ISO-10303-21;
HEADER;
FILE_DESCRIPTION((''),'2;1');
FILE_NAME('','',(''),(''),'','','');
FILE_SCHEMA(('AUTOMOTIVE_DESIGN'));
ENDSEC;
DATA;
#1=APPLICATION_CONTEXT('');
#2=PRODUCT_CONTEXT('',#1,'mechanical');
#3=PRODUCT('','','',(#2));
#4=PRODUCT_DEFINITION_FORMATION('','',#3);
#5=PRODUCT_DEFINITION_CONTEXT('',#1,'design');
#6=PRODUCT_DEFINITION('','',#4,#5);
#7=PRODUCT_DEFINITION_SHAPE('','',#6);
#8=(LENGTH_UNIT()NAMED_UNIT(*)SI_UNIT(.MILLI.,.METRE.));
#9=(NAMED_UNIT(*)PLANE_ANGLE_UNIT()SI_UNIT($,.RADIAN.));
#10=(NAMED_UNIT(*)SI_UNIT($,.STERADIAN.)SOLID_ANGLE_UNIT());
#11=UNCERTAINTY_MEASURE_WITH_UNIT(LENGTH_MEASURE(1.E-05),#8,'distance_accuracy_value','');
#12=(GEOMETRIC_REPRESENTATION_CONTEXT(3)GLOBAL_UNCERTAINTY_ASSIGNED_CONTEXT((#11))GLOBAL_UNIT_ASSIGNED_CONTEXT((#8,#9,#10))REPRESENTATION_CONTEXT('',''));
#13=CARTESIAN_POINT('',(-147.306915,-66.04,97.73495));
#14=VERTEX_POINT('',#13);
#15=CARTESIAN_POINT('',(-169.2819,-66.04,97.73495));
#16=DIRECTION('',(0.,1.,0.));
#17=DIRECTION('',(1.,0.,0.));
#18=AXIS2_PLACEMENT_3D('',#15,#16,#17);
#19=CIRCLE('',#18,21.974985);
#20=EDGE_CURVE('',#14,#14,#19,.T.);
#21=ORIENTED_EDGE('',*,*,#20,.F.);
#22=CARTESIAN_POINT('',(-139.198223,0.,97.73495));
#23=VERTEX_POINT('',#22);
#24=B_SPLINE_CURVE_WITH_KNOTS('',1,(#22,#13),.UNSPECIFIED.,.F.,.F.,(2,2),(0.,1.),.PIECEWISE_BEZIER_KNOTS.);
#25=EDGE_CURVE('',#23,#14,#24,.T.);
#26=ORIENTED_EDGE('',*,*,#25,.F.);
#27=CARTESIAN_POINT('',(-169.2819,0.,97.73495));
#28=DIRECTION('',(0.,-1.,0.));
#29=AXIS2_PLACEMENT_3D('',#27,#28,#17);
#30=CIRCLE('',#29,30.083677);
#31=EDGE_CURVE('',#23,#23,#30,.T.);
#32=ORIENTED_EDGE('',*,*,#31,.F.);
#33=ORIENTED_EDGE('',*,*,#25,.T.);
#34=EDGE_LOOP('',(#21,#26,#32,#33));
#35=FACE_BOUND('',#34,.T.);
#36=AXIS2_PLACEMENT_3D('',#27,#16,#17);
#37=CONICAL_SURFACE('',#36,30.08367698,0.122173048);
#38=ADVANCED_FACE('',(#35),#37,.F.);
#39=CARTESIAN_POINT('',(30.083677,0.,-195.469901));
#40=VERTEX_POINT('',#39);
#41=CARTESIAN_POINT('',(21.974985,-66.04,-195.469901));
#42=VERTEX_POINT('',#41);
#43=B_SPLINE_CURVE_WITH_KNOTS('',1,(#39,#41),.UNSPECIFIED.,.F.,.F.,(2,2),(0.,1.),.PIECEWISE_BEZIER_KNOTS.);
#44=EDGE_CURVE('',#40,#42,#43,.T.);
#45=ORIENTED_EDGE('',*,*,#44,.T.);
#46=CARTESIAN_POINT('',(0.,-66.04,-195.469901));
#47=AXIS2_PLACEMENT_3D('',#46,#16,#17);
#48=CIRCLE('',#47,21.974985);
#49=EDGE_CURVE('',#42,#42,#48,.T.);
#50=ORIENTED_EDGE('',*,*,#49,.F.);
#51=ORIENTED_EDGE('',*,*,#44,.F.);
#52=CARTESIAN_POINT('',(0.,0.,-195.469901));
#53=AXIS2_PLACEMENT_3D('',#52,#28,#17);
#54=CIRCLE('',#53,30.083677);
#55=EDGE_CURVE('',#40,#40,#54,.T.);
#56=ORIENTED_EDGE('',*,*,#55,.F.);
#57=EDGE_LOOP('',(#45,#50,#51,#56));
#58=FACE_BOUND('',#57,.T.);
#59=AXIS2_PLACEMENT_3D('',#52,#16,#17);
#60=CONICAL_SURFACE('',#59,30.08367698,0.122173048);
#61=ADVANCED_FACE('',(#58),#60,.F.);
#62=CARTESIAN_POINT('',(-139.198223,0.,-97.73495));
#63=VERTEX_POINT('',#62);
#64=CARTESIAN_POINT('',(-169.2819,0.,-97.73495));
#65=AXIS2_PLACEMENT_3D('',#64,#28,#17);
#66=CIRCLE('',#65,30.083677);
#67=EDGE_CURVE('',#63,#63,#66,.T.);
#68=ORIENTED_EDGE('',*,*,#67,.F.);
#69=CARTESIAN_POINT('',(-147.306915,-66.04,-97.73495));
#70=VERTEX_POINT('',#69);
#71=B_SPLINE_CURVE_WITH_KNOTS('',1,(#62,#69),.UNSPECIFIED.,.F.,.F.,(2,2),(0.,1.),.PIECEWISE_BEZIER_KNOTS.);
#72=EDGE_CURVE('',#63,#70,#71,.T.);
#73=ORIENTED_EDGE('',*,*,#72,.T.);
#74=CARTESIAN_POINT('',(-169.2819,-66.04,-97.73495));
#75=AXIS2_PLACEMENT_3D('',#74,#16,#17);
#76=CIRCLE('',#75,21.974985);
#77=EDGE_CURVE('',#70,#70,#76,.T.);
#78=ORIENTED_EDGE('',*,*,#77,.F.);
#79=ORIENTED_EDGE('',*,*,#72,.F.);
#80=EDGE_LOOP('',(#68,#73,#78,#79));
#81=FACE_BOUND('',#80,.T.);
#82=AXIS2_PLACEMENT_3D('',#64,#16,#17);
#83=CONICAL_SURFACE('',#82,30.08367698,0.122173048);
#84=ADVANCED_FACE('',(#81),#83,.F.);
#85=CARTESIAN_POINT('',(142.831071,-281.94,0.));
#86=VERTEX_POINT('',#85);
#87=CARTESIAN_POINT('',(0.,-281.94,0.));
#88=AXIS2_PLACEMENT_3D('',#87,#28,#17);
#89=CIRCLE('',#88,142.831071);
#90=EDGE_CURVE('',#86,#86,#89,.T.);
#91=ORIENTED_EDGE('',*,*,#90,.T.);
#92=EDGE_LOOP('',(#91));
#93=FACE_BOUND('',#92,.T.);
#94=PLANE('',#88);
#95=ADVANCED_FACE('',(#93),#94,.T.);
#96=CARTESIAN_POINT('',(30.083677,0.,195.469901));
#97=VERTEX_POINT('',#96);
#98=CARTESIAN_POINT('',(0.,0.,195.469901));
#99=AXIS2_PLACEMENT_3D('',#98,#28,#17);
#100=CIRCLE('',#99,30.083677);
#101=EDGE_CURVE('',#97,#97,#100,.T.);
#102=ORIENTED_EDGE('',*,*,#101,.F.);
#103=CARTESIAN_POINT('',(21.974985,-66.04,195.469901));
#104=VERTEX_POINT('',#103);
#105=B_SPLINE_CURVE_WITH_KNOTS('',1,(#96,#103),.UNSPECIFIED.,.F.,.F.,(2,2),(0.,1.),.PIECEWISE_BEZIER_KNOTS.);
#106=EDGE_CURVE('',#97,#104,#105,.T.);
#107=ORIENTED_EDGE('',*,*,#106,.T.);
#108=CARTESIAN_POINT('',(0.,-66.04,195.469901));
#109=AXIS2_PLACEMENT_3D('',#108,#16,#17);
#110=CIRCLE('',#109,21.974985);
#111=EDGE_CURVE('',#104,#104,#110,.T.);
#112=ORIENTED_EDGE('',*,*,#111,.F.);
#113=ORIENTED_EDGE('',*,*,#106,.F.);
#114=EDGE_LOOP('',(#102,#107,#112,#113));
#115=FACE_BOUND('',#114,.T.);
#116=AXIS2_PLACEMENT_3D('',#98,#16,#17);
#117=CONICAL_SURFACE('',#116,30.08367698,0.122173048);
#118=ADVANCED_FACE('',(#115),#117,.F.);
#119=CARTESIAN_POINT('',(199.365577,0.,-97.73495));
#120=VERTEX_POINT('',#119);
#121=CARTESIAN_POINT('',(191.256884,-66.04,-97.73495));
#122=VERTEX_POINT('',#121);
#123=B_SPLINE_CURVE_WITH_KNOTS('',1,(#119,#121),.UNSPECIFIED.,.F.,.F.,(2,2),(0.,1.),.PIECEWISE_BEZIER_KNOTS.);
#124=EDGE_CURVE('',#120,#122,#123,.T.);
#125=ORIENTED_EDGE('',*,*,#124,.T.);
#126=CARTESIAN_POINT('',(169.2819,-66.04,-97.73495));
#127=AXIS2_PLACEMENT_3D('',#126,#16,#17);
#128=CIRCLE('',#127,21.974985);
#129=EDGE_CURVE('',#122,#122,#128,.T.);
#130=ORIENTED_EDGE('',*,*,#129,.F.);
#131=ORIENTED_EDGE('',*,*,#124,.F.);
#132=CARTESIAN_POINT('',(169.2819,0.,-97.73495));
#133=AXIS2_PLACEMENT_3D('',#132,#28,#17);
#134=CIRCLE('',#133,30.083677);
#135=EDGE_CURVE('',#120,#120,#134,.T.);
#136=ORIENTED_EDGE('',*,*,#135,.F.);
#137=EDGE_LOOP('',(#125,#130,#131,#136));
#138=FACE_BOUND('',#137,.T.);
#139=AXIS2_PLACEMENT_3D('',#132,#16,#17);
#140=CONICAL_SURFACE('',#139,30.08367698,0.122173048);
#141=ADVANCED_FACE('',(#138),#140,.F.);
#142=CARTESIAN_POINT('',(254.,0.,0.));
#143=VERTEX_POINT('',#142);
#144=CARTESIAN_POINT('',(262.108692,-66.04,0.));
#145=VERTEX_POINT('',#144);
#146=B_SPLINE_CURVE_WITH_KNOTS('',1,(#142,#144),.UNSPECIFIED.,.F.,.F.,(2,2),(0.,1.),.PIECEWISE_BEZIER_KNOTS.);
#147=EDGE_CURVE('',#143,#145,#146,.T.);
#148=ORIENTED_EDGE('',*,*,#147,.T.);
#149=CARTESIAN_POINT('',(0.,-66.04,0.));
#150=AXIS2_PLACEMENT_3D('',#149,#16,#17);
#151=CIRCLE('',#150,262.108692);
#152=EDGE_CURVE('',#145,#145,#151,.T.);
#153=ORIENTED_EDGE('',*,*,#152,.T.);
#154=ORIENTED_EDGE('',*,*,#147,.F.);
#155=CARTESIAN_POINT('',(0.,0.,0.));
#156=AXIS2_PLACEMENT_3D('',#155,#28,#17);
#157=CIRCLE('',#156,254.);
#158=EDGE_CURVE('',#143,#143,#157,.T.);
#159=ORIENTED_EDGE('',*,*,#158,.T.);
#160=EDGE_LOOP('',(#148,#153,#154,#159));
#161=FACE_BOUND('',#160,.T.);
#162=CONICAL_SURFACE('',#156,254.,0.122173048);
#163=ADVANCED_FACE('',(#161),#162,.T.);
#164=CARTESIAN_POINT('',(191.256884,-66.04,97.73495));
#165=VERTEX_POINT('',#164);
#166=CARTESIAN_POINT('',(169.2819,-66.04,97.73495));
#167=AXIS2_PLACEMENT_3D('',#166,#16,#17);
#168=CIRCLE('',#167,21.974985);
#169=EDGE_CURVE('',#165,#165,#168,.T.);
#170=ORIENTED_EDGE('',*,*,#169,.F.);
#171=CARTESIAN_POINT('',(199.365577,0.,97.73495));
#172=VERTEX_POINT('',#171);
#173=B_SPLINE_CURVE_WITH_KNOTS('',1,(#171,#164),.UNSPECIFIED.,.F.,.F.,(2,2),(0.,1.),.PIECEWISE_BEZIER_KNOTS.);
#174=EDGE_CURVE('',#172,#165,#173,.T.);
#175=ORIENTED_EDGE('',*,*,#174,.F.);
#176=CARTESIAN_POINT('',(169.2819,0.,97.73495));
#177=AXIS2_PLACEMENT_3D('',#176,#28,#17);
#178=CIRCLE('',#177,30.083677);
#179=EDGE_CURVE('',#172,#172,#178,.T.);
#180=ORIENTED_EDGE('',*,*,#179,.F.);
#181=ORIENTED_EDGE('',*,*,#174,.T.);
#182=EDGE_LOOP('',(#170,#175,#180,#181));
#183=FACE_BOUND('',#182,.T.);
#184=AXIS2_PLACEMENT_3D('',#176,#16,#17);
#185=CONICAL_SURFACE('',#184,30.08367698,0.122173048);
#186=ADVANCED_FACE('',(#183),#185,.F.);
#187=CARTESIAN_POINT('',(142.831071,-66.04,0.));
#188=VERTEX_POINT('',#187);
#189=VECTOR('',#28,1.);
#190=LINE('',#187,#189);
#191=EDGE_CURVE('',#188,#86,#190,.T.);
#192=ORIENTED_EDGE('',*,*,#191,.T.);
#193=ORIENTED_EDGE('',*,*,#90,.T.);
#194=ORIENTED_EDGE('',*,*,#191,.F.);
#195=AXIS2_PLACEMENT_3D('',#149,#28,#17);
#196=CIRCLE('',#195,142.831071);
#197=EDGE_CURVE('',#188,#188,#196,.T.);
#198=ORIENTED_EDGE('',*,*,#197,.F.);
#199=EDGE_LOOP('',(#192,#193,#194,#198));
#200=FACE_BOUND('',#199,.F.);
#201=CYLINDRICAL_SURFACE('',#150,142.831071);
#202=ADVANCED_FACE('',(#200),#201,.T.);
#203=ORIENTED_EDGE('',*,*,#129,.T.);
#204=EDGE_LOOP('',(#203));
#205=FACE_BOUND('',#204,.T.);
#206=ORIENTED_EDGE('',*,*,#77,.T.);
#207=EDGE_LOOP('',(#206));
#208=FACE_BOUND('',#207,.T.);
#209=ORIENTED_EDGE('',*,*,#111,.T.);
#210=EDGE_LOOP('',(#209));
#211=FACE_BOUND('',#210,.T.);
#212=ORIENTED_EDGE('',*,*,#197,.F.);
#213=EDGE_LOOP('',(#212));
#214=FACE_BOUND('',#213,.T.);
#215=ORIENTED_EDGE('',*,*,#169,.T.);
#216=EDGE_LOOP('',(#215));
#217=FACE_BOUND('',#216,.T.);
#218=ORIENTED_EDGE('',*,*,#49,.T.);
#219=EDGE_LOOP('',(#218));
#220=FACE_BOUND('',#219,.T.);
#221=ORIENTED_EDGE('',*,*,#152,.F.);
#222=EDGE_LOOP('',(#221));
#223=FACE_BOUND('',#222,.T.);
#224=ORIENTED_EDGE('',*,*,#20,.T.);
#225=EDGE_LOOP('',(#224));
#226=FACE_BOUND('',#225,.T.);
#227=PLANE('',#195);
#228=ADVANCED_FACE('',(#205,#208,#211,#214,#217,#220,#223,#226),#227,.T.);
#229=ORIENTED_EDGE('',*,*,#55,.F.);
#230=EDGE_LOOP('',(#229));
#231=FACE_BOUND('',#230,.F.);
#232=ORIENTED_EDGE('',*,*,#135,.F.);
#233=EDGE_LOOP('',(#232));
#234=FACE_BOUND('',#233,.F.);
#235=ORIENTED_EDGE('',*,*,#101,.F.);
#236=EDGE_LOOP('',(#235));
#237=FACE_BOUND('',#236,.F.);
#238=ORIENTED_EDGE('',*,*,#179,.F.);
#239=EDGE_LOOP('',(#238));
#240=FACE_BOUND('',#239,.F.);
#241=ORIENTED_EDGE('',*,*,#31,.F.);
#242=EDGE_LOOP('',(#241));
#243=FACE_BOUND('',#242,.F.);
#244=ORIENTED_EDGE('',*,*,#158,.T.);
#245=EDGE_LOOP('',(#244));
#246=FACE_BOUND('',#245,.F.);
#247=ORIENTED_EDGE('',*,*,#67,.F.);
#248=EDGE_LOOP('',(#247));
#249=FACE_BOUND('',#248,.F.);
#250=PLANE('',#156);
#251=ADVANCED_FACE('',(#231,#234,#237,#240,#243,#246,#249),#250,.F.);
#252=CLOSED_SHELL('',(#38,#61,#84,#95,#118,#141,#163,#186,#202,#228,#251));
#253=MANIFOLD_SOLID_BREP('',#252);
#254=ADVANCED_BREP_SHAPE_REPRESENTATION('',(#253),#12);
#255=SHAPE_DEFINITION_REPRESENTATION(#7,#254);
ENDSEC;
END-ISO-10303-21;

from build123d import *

# Parameters (mm, degrees)
F0_R     = 254
F0_R_2   = 30.0836769803
F1_DEPTH = 66.04
F1_TAPER = -7
F2_R     = 142.8310706252
F3_DEPTH = 215.9


with BuildPart() as f1:
    # F0 (on Front) → F1 (new body)
    with BuildSketch(Plane.XZ):
        Circle(F0_R)
        with Locations((-169.2818999115, -97.7349504828)):
            Circle(F0_R_2, mode=Mode.SUBTRACT)
        with Locations((0, -195.4699009657)):
            Circle(F0_R_2, mode=Mode.SUBTRACT)
        with Locations((169.2818999115, -97.7349504828)):
            Circle(F0_R_2, mode=Mode.SUBTRACT)
        with Locations((-169.2818999115, 97.7349504828)):
            Circle(F0_R_2, mode=Mode.SUBTRACT)
        with Locations((169.2818999115, 97.7349504828)):
            Circle(F0_R_2, mode=Mode.SUBTRACT)
        with Locations((0, 195.4699009657)):
            Circle(F0_R_2, mode=Mode.SUBTRACT)
    extrude(amount=F1_DEPTH, taper=F1_TAPER)

    # F2 (on face) → F3 (join)
    with BuildSketch(Plane.XZ.offset(66.04)):
        Circle(F2_R)
    extrude(amount=F3_DEPTH)


solid = f1.part
